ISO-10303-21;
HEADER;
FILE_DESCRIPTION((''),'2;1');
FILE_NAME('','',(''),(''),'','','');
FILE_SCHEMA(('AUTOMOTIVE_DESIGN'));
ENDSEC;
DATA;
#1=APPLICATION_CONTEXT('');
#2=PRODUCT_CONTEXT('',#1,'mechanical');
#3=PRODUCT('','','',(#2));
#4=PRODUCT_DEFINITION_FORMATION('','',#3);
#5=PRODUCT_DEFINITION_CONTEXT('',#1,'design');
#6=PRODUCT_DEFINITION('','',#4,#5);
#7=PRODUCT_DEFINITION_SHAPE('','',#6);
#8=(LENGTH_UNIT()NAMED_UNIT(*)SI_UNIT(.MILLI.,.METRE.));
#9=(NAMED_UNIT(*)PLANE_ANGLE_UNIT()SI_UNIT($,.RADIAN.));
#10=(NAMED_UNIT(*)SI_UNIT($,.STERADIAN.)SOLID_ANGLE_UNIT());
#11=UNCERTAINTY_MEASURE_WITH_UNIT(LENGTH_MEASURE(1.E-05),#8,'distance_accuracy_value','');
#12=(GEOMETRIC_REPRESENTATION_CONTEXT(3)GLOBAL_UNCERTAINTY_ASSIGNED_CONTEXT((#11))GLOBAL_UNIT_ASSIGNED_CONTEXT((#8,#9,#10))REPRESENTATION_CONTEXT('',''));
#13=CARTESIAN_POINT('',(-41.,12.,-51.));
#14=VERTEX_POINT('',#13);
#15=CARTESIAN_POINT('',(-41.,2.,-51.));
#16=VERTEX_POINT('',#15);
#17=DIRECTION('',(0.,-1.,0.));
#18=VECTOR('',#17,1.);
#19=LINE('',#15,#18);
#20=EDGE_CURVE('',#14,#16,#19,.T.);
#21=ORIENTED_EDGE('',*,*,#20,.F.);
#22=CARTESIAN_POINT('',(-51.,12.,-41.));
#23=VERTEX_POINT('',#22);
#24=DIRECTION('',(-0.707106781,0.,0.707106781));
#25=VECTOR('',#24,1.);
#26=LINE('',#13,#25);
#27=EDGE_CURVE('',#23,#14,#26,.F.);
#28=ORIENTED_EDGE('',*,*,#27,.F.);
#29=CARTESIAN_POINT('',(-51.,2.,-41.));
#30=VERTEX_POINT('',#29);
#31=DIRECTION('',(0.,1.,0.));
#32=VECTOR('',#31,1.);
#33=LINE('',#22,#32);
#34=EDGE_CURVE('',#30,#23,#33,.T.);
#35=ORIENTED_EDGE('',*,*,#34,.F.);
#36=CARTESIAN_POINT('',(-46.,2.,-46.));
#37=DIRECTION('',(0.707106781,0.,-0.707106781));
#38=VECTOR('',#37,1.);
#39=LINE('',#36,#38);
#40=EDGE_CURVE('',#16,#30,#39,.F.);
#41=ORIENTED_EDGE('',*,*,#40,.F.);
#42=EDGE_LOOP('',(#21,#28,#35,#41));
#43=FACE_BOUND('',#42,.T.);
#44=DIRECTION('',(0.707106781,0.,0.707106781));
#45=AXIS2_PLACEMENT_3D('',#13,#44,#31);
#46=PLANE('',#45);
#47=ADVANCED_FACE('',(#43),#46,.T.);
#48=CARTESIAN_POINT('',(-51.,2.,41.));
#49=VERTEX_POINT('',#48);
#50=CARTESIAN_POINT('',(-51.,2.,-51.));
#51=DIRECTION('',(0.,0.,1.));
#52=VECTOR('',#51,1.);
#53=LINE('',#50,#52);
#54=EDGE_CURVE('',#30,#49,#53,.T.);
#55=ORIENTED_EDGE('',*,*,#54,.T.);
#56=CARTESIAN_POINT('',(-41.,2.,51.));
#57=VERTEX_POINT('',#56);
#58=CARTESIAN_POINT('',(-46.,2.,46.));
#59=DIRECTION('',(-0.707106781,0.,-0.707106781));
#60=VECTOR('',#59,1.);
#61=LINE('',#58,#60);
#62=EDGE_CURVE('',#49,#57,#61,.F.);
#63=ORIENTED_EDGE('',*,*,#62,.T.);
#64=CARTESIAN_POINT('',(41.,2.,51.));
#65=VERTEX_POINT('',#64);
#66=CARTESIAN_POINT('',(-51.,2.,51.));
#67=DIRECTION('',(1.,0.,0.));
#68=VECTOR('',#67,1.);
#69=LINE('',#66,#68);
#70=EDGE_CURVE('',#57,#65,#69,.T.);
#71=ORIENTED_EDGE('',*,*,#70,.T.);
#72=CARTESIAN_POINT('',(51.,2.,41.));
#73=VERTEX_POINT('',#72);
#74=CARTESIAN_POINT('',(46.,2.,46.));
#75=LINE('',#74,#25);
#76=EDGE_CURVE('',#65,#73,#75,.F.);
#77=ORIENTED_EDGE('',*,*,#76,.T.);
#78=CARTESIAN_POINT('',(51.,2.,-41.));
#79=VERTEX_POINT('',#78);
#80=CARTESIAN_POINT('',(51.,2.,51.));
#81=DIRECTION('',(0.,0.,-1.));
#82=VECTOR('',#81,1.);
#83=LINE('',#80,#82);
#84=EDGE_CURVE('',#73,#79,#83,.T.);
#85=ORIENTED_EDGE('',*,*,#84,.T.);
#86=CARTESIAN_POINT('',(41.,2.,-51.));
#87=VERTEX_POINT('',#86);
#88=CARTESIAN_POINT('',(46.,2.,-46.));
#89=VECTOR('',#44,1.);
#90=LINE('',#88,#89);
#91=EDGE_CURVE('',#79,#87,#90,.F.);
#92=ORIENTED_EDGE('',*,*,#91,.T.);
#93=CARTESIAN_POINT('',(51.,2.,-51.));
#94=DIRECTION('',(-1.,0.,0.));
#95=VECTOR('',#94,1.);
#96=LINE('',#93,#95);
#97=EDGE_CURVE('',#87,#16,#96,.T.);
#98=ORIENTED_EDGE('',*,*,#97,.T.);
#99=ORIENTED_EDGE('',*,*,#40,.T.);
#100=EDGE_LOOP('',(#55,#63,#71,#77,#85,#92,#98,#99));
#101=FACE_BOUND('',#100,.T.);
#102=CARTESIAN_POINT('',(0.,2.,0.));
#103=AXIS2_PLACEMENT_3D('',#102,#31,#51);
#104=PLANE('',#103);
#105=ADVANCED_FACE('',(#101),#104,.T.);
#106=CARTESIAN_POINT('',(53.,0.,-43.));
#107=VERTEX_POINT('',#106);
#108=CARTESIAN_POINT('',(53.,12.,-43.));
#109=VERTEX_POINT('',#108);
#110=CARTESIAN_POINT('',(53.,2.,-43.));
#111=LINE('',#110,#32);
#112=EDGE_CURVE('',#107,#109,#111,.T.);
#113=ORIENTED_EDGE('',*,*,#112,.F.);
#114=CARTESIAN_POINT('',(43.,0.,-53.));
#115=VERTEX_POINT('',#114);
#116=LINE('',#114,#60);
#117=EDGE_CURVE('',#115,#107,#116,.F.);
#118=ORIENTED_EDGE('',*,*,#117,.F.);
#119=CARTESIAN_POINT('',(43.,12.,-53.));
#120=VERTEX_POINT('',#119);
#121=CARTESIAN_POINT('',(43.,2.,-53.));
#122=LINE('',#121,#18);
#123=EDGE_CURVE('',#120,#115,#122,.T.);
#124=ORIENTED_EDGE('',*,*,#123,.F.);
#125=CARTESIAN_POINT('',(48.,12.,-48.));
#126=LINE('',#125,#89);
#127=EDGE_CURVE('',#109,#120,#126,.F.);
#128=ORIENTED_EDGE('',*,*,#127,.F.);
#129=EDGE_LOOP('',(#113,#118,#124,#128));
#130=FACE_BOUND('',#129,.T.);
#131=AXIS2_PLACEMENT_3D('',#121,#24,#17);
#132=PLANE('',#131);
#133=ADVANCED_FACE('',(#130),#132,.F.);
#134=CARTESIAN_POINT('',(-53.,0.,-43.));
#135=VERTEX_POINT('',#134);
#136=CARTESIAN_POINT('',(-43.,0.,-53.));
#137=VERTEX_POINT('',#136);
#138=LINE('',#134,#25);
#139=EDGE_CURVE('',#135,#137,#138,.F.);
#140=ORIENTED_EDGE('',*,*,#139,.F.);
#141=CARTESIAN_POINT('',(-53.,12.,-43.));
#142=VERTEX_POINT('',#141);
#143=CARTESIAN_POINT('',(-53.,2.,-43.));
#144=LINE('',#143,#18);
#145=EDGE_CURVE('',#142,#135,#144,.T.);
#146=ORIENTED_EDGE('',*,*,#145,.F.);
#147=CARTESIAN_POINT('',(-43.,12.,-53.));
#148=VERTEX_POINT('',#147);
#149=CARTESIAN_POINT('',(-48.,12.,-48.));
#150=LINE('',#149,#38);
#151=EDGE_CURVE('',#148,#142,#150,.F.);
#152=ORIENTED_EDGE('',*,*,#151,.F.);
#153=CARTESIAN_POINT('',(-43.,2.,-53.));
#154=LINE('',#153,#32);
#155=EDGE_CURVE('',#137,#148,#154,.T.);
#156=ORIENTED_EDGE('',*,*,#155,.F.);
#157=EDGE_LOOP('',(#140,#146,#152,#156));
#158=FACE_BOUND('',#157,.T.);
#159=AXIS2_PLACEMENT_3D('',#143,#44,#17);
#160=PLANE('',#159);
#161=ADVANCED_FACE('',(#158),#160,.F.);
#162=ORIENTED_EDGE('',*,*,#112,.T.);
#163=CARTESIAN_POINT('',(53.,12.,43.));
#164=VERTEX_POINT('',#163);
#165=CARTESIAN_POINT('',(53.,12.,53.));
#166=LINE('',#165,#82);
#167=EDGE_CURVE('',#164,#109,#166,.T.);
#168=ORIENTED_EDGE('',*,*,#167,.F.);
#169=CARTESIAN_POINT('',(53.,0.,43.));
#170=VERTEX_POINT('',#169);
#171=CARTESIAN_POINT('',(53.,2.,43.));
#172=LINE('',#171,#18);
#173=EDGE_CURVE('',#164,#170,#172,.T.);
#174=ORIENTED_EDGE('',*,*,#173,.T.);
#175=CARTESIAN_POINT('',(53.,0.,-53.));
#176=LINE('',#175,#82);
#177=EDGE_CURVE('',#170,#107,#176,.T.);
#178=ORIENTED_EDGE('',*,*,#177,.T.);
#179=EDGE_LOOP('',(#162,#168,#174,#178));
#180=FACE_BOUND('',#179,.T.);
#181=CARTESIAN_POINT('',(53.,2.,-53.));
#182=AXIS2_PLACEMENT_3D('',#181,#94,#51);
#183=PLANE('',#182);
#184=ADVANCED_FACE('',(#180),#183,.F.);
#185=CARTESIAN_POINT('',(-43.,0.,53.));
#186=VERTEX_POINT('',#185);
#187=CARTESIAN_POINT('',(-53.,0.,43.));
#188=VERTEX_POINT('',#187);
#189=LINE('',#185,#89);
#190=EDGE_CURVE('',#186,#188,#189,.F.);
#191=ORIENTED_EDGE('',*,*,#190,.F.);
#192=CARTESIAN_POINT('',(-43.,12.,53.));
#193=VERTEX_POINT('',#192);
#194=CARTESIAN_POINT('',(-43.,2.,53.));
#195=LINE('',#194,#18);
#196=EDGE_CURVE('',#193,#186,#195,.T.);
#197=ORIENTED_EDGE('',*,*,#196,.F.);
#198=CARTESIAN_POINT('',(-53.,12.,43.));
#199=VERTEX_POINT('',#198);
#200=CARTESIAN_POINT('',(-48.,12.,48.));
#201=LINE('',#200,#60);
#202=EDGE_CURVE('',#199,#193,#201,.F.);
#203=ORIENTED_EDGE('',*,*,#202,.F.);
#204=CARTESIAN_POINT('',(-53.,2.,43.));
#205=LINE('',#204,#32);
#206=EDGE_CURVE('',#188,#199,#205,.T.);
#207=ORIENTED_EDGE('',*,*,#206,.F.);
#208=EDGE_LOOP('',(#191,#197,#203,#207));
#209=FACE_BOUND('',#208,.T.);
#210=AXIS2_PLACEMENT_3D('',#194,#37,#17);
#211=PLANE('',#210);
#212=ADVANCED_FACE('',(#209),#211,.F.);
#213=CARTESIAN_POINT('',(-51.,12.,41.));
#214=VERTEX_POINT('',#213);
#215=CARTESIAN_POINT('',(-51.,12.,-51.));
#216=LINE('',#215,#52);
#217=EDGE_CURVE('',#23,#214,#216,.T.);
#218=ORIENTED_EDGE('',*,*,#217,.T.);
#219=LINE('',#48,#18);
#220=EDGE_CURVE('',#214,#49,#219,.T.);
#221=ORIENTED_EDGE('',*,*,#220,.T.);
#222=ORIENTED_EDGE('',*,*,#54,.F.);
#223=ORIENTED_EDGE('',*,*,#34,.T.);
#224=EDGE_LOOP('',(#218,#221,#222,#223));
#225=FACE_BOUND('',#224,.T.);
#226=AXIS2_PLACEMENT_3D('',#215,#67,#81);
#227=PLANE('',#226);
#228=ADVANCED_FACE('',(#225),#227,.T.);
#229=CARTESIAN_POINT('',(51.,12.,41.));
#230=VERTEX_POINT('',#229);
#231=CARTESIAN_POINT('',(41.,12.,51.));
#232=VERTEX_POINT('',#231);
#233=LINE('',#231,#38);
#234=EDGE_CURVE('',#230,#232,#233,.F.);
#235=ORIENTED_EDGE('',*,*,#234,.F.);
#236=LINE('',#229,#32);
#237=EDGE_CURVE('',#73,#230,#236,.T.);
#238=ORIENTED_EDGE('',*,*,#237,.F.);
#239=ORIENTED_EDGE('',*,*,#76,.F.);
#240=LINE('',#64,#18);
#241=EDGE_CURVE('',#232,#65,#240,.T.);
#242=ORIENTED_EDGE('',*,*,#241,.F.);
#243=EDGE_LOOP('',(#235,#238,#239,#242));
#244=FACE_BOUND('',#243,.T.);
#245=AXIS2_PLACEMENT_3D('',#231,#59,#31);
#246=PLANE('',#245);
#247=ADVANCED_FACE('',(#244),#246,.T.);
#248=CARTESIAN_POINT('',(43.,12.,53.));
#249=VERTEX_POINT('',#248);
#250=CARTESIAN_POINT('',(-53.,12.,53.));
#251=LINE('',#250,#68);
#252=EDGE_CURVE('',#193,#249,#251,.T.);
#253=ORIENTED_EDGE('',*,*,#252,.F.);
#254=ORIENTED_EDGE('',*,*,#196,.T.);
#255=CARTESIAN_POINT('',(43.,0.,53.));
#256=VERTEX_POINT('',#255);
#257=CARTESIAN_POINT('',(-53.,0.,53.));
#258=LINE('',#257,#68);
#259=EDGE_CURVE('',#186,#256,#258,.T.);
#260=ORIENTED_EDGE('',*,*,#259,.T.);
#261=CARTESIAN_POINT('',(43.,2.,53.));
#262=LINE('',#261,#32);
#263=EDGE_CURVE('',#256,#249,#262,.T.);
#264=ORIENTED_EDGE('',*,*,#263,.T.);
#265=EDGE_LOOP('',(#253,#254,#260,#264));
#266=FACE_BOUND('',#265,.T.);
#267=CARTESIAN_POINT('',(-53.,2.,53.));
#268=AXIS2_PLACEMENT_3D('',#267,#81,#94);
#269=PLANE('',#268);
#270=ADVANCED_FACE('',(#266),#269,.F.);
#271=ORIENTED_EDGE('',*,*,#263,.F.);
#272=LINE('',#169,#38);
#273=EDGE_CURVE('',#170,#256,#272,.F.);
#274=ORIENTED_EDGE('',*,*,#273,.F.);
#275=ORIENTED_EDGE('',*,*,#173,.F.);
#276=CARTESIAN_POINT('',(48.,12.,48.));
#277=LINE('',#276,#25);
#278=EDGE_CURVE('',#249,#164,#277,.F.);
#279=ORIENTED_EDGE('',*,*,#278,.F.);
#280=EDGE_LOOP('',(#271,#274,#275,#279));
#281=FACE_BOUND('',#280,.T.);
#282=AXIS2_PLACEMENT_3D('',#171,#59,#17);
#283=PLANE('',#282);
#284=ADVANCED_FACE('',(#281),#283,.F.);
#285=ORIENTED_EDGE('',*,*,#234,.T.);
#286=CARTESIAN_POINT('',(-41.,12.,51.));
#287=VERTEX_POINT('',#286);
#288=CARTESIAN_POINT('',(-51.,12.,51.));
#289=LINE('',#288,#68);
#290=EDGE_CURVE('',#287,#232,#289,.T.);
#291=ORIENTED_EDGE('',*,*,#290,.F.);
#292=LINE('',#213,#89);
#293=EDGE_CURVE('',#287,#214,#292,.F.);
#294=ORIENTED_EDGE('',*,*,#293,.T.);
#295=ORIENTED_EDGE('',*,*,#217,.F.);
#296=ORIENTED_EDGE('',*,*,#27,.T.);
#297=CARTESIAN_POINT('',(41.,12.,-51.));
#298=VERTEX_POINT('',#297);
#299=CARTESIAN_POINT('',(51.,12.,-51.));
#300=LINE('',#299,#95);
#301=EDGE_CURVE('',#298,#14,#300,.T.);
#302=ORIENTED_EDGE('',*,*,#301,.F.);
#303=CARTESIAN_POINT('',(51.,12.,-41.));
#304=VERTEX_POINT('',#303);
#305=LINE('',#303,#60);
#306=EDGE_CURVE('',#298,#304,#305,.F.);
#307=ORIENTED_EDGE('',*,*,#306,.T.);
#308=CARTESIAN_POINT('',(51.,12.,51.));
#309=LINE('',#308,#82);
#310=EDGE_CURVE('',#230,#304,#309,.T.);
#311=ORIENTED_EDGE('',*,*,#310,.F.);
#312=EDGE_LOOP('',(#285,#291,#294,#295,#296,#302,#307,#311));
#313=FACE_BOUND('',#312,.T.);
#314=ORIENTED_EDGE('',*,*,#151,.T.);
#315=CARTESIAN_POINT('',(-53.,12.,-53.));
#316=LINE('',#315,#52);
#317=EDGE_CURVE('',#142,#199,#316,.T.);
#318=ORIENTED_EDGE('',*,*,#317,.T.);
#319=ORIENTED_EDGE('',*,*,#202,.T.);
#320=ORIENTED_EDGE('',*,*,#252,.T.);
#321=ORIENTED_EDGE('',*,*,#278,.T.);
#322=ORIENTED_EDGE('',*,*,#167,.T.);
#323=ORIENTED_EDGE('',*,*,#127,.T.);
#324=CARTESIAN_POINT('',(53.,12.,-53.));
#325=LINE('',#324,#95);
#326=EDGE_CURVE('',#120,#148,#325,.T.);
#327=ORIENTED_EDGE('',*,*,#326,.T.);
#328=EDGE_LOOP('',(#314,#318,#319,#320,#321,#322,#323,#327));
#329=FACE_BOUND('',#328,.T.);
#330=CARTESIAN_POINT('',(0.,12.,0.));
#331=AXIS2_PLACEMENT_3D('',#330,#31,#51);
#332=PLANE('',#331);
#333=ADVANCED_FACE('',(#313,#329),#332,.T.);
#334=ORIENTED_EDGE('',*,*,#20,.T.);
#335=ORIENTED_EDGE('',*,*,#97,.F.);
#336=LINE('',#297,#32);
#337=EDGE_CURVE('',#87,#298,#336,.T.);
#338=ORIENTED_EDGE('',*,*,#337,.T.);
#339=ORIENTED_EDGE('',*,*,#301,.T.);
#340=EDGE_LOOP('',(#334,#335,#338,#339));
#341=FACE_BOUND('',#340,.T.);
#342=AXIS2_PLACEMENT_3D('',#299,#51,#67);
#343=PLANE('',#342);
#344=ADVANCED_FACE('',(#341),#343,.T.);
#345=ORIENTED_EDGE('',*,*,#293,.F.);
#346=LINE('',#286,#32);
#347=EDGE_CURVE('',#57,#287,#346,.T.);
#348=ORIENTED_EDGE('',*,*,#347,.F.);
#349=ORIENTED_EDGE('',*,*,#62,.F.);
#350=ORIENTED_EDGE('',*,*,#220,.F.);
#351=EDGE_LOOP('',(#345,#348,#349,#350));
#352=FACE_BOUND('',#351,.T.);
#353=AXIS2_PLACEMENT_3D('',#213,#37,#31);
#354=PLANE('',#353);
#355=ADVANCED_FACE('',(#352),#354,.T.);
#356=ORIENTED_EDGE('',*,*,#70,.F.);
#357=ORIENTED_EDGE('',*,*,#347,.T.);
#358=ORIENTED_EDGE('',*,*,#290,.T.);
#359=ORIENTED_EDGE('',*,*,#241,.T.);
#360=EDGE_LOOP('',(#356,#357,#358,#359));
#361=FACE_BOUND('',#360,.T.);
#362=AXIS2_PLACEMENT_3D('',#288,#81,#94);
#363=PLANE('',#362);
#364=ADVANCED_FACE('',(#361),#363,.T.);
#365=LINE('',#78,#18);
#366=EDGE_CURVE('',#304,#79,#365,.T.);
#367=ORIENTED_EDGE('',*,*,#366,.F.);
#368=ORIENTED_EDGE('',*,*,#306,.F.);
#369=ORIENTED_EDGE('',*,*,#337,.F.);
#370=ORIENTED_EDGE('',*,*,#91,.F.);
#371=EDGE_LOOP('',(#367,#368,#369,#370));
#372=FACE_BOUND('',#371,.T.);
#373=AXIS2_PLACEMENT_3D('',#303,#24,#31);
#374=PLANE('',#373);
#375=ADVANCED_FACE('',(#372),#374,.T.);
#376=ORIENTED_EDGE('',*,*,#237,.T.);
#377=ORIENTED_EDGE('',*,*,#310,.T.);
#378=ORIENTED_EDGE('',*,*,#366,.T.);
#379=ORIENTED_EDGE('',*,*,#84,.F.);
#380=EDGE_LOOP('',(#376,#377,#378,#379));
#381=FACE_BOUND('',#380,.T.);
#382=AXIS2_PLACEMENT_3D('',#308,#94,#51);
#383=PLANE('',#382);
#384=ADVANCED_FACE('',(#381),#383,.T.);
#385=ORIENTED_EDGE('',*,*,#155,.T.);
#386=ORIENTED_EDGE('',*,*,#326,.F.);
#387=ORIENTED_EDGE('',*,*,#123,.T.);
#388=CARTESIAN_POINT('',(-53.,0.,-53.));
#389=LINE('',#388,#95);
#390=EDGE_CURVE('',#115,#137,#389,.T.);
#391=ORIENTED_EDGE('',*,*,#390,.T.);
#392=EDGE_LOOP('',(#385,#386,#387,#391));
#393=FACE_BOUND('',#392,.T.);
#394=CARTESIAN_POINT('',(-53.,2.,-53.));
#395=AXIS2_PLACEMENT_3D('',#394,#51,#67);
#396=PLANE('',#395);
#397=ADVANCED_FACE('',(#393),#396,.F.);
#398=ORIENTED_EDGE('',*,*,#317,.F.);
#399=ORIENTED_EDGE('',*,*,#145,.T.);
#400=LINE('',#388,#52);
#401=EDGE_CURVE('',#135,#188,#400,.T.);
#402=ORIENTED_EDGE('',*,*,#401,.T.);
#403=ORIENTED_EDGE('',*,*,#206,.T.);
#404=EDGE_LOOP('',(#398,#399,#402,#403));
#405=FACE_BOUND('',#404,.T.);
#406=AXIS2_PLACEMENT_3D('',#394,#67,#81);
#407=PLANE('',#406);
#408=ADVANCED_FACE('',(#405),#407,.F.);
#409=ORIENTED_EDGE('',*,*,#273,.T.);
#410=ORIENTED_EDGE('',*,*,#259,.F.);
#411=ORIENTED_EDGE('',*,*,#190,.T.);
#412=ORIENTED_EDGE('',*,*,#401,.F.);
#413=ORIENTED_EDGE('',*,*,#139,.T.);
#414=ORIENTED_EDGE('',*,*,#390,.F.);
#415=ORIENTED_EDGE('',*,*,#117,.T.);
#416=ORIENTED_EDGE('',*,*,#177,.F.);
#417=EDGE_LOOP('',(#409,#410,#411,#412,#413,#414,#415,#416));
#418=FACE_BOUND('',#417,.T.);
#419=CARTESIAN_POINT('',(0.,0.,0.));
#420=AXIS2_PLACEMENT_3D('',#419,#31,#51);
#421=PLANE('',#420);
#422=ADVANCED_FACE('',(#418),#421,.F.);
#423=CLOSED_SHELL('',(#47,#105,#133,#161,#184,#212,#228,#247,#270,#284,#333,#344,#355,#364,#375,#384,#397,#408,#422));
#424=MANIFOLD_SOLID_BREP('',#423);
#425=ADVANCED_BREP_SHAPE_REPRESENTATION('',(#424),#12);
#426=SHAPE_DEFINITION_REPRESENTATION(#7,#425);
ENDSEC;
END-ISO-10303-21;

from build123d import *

# Parameters (mm, degrees)
SKETCH1_W           = 106
SKETCH1_H           = 106
BOSS_EXTRUDE1_DEPTH = 2
SKETCH2_W           = 106
SKETCH2_H           = 106
SKETCH2_W_2         = 102
SKETCH2_H_2         = 102
BOSS_EXTRUDE2_DEPTH = 10
CHAMFER1_SIZE       = 10


with BuildPart() as part:
    # Sketch1 → Boss-Extrude1 (new body)
    with BuildSketch(Plane(origin=(0, 0, 0), x_dir=(1, 0, 0), z_dir=(0, 1, 0))):
        Rectangle(SKETCH1_W, SKETCH1_H)
    extrude(amount=BOSS_EXTRUDE1_DEPTH)

    # Sketch2 → Boss-Extrude2 (add)
    with BuildSketch(Plane(origin=(0, 2, 0), x_dir=(1, 0, 0), z_dir=(0, 1, 0))):
        Rectangle(SKETCH2_W, SKETCH2_H)
        Rectangle(SKETCH2_W_2, SKETCH2_H_2, mode=Mode.SUBTRACT)
    extrude(amount=BOSS_EXTRUDE2_DEPTH)

    # Chamfer1
    chamfer1_edges = [part.edges().sort_by_distance(p)[0] for p in [
        (-51, 7, -51),
        (-51, 7, 51),
        (51, 7, 51),
        (51, 7, -51),
        (-53, 6, -53),
        (53, 6, -53),
        (53, 6, 53),
        (-53, 6, 53),
    ]]
    chamfer(chamfer1_edges, length=CHAMFER1_SIZE)


solid = part.part
